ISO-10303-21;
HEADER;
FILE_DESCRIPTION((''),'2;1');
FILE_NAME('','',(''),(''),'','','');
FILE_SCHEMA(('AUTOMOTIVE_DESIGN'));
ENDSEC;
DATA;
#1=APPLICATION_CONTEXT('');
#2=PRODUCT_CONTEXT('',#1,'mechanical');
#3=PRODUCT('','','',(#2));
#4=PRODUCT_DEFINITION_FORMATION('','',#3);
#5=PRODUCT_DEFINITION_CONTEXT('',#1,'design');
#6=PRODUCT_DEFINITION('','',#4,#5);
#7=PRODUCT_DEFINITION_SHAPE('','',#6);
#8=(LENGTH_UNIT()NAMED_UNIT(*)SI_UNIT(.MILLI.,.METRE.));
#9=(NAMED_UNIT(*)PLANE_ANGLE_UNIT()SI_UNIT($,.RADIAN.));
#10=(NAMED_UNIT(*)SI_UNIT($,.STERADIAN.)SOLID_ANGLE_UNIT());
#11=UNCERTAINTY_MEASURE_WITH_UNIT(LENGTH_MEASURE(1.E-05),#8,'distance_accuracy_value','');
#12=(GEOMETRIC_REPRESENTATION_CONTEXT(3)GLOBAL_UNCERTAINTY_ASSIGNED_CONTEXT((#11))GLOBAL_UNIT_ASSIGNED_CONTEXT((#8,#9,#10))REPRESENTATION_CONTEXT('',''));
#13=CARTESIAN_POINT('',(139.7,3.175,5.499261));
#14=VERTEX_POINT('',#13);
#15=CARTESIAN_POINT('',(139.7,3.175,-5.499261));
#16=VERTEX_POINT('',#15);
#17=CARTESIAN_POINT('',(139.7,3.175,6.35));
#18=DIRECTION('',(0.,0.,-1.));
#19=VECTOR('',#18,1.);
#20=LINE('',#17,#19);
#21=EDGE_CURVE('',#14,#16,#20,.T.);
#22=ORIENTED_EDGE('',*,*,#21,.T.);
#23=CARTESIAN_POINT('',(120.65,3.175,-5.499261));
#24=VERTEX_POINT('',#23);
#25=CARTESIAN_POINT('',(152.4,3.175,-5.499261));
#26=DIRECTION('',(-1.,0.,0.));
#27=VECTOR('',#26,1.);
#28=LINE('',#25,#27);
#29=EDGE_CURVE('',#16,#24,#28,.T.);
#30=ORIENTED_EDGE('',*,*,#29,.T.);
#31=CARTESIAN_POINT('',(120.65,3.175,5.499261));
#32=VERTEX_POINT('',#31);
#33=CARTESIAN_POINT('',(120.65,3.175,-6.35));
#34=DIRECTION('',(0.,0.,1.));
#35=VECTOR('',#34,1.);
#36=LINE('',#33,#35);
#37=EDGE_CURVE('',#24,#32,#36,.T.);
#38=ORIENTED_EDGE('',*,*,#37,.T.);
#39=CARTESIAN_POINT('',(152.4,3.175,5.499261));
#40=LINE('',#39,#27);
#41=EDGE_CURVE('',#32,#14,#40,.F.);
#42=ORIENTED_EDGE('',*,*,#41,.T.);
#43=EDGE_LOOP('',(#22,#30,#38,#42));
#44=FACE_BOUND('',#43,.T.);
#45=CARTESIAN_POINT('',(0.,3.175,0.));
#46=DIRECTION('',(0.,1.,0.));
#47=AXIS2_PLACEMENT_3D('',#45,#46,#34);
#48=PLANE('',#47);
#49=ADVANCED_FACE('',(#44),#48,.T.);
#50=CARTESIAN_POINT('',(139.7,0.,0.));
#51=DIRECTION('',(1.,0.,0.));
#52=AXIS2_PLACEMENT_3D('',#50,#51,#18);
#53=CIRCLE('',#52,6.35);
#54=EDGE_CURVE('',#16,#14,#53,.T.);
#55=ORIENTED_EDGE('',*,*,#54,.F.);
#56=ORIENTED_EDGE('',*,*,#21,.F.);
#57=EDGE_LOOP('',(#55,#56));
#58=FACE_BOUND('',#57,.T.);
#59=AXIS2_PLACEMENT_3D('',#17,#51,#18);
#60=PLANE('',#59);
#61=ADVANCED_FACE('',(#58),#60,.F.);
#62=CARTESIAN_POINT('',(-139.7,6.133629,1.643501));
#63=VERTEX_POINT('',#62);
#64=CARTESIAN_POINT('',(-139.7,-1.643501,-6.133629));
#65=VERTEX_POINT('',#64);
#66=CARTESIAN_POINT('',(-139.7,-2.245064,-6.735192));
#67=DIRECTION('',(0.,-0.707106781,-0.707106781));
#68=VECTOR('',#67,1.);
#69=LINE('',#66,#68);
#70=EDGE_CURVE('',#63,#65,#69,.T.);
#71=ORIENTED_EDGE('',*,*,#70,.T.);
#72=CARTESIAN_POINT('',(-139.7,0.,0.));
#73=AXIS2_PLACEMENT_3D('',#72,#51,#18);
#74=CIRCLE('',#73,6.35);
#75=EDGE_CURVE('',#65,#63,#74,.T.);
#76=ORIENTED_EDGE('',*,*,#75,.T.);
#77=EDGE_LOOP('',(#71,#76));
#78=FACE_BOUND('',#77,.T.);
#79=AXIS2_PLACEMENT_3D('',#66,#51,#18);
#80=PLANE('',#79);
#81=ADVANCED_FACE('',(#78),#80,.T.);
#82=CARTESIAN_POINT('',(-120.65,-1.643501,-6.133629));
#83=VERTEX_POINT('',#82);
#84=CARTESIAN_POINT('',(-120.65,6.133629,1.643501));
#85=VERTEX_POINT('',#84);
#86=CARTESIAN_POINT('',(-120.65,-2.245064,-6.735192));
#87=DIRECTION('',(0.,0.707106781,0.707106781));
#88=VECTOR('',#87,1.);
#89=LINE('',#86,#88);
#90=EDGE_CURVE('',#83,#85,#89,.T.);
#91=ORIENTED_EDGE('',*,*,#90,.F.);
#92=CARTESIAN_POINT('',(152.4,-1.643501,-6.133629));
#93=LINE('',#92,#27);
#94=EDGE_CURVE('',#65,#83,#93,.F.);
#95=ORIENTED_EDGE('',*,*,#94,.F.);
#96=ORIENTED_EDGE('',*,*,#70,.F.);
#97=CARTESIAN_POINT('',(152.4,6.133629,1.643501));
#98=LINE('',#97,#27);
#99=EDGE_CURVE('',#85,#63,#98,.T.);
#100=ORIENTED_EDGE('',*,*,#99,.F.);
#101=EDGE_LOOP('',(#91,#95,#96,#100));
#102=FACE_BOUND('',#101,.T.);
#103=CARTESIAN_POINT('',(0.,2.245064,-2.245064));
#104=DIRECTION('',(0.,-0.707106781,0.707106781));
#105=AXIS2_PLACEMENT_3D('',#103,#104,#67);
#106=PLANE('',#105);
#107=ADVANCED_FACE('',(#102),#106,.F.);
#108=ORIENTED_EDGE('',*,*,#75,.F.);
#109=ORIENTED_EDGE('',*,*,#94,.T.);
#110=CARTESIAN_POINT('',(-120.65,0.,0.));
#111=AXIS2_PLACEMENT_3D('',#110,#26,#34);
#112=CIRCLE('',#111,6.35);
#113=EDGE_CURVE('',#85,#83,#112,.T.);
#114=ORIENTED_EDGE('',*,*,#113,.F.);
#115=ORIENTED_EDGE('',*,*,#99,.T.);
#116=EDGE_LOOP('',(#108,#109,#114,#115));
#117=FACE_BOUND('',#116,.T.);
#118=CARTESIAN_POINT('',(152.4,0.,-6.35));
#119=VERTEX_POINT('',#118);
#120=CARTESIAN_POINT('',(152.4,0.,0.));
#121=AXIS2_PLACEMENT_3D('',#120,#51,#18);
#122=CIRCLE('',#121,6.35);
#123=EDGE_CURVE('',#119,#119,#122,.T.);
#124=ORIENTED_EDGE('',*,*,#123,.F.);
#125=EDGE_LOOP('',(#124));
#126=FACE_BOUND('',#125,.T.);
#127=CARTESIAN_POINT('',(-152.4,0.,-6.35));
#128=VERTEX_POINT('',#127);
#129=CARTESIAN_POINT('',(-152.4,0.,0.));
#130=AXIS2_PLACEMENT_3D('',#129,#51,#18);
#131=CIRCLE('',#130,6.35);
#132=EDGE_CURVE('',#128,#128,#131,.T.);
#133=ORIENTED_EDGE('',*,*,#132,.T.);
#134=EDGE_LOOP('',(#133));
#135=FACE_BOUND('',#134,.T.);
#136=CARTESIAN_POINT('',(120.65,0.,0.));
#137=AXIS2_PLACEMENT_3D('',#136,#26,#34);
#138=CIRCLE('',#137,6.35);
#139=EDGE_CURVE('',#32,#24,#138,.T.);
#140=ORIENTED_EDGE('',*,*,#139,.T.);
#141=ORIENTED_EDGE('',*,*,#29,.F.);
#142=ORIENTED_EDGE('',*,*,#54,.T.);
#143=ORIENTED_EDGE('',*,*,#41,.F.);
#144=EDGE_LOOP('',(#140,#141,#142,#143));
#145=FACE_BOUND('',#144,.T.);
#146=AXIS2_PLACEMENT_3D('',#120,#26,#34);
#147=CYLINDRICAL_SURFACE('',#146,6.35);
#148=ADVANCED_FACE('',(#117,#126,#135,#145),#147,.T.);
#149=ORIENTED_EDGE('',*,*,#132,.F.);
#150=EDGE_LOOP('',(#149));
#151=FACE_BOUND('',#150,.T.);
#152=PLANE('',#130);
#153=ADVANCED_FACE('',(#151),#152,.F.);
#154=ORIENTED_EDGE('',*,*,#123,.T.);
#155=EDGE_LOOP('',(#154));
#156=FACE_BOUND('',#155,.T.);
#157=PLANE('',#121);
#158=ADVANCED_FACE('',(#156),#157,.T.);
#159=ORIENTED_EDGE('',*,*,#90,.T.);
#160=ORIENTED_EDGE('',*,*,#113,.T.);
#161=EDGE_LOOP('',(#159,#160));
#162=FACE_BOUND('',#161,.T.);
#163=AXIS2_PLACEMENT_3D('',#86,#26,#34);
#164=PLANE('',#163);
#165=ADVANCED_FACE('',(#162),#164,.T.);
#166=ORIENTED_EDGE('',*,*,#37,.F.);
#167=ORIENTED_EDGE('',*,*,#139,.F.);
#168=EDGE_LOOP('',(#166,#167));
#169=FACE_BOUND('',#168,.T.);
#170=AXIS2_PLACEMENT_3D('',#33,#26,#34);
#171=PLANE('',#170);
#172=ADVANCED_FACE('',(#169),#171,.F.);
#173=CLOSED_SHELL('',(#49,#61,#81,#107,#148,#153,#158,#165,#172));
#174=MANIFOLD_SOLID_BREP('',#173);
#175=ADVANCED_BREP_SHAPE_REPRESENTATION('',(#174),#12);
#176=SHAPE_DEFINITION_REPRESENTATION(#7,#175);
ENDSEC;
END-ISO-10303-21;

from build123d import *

# Parameters (mm, degrees)
SKETCH1_R           = 6.35
BOSS_EXTRUDE1_DEPTH = 152.4
SKETCH3_W           = 19.05
SKETCH3_H           = 12.7
CUT_EXTRUDE1_DEPTH  = 3.175
SKETCH4_W           = 19.05
SKETCH4_H           = 12.7
CUT_EXTRUDE2_DEPTH  = 3.175


with BuildPart() as part:
    # Sketch1 → Boss-Extrude1 (new body, symmetric)
    with BuildSketch(Plane(origin=(0, 0, 0), x_dir=(0, 0, -1), z_dir=(1, 0, 0))):
        Circle(SKETCH1_R)
    extrude(amount=BOSS_EXTRUDE1_DEPTH, both=True)

    # Sketch3 → Cut-Extrude1 (cut)
    with BuildSketch(Plane(origin=(0, 6.35, 0), x_dir=(1, 0, 0), z_dir=(0, 1, 0))):
        with Locations((130.175, 0)):
            Rectangle(SKETCH3_W, SKETCH3_H)
    extrude(amount=-CUT_EXTRUDE1_DEPTH, mode=Mode.SUBTRACT)

    # Sketch4 → Cut-Extrude2 (cut)
    with BuildSketch(Plane(origin=(0, 4.490128061, -4.490128061), x_dir=(1, 0, 0), z_dir=(0, -0.707106781, 0.707106781))):
        with Locations((-130.175, 0)):
            Rectangle(SKETCH4_W, SKETCH4_H)
    extrude(amount=CUT_EXTRUDE2_DEPTH, mode=Mode.SUBTRACT)


solid = part.part
